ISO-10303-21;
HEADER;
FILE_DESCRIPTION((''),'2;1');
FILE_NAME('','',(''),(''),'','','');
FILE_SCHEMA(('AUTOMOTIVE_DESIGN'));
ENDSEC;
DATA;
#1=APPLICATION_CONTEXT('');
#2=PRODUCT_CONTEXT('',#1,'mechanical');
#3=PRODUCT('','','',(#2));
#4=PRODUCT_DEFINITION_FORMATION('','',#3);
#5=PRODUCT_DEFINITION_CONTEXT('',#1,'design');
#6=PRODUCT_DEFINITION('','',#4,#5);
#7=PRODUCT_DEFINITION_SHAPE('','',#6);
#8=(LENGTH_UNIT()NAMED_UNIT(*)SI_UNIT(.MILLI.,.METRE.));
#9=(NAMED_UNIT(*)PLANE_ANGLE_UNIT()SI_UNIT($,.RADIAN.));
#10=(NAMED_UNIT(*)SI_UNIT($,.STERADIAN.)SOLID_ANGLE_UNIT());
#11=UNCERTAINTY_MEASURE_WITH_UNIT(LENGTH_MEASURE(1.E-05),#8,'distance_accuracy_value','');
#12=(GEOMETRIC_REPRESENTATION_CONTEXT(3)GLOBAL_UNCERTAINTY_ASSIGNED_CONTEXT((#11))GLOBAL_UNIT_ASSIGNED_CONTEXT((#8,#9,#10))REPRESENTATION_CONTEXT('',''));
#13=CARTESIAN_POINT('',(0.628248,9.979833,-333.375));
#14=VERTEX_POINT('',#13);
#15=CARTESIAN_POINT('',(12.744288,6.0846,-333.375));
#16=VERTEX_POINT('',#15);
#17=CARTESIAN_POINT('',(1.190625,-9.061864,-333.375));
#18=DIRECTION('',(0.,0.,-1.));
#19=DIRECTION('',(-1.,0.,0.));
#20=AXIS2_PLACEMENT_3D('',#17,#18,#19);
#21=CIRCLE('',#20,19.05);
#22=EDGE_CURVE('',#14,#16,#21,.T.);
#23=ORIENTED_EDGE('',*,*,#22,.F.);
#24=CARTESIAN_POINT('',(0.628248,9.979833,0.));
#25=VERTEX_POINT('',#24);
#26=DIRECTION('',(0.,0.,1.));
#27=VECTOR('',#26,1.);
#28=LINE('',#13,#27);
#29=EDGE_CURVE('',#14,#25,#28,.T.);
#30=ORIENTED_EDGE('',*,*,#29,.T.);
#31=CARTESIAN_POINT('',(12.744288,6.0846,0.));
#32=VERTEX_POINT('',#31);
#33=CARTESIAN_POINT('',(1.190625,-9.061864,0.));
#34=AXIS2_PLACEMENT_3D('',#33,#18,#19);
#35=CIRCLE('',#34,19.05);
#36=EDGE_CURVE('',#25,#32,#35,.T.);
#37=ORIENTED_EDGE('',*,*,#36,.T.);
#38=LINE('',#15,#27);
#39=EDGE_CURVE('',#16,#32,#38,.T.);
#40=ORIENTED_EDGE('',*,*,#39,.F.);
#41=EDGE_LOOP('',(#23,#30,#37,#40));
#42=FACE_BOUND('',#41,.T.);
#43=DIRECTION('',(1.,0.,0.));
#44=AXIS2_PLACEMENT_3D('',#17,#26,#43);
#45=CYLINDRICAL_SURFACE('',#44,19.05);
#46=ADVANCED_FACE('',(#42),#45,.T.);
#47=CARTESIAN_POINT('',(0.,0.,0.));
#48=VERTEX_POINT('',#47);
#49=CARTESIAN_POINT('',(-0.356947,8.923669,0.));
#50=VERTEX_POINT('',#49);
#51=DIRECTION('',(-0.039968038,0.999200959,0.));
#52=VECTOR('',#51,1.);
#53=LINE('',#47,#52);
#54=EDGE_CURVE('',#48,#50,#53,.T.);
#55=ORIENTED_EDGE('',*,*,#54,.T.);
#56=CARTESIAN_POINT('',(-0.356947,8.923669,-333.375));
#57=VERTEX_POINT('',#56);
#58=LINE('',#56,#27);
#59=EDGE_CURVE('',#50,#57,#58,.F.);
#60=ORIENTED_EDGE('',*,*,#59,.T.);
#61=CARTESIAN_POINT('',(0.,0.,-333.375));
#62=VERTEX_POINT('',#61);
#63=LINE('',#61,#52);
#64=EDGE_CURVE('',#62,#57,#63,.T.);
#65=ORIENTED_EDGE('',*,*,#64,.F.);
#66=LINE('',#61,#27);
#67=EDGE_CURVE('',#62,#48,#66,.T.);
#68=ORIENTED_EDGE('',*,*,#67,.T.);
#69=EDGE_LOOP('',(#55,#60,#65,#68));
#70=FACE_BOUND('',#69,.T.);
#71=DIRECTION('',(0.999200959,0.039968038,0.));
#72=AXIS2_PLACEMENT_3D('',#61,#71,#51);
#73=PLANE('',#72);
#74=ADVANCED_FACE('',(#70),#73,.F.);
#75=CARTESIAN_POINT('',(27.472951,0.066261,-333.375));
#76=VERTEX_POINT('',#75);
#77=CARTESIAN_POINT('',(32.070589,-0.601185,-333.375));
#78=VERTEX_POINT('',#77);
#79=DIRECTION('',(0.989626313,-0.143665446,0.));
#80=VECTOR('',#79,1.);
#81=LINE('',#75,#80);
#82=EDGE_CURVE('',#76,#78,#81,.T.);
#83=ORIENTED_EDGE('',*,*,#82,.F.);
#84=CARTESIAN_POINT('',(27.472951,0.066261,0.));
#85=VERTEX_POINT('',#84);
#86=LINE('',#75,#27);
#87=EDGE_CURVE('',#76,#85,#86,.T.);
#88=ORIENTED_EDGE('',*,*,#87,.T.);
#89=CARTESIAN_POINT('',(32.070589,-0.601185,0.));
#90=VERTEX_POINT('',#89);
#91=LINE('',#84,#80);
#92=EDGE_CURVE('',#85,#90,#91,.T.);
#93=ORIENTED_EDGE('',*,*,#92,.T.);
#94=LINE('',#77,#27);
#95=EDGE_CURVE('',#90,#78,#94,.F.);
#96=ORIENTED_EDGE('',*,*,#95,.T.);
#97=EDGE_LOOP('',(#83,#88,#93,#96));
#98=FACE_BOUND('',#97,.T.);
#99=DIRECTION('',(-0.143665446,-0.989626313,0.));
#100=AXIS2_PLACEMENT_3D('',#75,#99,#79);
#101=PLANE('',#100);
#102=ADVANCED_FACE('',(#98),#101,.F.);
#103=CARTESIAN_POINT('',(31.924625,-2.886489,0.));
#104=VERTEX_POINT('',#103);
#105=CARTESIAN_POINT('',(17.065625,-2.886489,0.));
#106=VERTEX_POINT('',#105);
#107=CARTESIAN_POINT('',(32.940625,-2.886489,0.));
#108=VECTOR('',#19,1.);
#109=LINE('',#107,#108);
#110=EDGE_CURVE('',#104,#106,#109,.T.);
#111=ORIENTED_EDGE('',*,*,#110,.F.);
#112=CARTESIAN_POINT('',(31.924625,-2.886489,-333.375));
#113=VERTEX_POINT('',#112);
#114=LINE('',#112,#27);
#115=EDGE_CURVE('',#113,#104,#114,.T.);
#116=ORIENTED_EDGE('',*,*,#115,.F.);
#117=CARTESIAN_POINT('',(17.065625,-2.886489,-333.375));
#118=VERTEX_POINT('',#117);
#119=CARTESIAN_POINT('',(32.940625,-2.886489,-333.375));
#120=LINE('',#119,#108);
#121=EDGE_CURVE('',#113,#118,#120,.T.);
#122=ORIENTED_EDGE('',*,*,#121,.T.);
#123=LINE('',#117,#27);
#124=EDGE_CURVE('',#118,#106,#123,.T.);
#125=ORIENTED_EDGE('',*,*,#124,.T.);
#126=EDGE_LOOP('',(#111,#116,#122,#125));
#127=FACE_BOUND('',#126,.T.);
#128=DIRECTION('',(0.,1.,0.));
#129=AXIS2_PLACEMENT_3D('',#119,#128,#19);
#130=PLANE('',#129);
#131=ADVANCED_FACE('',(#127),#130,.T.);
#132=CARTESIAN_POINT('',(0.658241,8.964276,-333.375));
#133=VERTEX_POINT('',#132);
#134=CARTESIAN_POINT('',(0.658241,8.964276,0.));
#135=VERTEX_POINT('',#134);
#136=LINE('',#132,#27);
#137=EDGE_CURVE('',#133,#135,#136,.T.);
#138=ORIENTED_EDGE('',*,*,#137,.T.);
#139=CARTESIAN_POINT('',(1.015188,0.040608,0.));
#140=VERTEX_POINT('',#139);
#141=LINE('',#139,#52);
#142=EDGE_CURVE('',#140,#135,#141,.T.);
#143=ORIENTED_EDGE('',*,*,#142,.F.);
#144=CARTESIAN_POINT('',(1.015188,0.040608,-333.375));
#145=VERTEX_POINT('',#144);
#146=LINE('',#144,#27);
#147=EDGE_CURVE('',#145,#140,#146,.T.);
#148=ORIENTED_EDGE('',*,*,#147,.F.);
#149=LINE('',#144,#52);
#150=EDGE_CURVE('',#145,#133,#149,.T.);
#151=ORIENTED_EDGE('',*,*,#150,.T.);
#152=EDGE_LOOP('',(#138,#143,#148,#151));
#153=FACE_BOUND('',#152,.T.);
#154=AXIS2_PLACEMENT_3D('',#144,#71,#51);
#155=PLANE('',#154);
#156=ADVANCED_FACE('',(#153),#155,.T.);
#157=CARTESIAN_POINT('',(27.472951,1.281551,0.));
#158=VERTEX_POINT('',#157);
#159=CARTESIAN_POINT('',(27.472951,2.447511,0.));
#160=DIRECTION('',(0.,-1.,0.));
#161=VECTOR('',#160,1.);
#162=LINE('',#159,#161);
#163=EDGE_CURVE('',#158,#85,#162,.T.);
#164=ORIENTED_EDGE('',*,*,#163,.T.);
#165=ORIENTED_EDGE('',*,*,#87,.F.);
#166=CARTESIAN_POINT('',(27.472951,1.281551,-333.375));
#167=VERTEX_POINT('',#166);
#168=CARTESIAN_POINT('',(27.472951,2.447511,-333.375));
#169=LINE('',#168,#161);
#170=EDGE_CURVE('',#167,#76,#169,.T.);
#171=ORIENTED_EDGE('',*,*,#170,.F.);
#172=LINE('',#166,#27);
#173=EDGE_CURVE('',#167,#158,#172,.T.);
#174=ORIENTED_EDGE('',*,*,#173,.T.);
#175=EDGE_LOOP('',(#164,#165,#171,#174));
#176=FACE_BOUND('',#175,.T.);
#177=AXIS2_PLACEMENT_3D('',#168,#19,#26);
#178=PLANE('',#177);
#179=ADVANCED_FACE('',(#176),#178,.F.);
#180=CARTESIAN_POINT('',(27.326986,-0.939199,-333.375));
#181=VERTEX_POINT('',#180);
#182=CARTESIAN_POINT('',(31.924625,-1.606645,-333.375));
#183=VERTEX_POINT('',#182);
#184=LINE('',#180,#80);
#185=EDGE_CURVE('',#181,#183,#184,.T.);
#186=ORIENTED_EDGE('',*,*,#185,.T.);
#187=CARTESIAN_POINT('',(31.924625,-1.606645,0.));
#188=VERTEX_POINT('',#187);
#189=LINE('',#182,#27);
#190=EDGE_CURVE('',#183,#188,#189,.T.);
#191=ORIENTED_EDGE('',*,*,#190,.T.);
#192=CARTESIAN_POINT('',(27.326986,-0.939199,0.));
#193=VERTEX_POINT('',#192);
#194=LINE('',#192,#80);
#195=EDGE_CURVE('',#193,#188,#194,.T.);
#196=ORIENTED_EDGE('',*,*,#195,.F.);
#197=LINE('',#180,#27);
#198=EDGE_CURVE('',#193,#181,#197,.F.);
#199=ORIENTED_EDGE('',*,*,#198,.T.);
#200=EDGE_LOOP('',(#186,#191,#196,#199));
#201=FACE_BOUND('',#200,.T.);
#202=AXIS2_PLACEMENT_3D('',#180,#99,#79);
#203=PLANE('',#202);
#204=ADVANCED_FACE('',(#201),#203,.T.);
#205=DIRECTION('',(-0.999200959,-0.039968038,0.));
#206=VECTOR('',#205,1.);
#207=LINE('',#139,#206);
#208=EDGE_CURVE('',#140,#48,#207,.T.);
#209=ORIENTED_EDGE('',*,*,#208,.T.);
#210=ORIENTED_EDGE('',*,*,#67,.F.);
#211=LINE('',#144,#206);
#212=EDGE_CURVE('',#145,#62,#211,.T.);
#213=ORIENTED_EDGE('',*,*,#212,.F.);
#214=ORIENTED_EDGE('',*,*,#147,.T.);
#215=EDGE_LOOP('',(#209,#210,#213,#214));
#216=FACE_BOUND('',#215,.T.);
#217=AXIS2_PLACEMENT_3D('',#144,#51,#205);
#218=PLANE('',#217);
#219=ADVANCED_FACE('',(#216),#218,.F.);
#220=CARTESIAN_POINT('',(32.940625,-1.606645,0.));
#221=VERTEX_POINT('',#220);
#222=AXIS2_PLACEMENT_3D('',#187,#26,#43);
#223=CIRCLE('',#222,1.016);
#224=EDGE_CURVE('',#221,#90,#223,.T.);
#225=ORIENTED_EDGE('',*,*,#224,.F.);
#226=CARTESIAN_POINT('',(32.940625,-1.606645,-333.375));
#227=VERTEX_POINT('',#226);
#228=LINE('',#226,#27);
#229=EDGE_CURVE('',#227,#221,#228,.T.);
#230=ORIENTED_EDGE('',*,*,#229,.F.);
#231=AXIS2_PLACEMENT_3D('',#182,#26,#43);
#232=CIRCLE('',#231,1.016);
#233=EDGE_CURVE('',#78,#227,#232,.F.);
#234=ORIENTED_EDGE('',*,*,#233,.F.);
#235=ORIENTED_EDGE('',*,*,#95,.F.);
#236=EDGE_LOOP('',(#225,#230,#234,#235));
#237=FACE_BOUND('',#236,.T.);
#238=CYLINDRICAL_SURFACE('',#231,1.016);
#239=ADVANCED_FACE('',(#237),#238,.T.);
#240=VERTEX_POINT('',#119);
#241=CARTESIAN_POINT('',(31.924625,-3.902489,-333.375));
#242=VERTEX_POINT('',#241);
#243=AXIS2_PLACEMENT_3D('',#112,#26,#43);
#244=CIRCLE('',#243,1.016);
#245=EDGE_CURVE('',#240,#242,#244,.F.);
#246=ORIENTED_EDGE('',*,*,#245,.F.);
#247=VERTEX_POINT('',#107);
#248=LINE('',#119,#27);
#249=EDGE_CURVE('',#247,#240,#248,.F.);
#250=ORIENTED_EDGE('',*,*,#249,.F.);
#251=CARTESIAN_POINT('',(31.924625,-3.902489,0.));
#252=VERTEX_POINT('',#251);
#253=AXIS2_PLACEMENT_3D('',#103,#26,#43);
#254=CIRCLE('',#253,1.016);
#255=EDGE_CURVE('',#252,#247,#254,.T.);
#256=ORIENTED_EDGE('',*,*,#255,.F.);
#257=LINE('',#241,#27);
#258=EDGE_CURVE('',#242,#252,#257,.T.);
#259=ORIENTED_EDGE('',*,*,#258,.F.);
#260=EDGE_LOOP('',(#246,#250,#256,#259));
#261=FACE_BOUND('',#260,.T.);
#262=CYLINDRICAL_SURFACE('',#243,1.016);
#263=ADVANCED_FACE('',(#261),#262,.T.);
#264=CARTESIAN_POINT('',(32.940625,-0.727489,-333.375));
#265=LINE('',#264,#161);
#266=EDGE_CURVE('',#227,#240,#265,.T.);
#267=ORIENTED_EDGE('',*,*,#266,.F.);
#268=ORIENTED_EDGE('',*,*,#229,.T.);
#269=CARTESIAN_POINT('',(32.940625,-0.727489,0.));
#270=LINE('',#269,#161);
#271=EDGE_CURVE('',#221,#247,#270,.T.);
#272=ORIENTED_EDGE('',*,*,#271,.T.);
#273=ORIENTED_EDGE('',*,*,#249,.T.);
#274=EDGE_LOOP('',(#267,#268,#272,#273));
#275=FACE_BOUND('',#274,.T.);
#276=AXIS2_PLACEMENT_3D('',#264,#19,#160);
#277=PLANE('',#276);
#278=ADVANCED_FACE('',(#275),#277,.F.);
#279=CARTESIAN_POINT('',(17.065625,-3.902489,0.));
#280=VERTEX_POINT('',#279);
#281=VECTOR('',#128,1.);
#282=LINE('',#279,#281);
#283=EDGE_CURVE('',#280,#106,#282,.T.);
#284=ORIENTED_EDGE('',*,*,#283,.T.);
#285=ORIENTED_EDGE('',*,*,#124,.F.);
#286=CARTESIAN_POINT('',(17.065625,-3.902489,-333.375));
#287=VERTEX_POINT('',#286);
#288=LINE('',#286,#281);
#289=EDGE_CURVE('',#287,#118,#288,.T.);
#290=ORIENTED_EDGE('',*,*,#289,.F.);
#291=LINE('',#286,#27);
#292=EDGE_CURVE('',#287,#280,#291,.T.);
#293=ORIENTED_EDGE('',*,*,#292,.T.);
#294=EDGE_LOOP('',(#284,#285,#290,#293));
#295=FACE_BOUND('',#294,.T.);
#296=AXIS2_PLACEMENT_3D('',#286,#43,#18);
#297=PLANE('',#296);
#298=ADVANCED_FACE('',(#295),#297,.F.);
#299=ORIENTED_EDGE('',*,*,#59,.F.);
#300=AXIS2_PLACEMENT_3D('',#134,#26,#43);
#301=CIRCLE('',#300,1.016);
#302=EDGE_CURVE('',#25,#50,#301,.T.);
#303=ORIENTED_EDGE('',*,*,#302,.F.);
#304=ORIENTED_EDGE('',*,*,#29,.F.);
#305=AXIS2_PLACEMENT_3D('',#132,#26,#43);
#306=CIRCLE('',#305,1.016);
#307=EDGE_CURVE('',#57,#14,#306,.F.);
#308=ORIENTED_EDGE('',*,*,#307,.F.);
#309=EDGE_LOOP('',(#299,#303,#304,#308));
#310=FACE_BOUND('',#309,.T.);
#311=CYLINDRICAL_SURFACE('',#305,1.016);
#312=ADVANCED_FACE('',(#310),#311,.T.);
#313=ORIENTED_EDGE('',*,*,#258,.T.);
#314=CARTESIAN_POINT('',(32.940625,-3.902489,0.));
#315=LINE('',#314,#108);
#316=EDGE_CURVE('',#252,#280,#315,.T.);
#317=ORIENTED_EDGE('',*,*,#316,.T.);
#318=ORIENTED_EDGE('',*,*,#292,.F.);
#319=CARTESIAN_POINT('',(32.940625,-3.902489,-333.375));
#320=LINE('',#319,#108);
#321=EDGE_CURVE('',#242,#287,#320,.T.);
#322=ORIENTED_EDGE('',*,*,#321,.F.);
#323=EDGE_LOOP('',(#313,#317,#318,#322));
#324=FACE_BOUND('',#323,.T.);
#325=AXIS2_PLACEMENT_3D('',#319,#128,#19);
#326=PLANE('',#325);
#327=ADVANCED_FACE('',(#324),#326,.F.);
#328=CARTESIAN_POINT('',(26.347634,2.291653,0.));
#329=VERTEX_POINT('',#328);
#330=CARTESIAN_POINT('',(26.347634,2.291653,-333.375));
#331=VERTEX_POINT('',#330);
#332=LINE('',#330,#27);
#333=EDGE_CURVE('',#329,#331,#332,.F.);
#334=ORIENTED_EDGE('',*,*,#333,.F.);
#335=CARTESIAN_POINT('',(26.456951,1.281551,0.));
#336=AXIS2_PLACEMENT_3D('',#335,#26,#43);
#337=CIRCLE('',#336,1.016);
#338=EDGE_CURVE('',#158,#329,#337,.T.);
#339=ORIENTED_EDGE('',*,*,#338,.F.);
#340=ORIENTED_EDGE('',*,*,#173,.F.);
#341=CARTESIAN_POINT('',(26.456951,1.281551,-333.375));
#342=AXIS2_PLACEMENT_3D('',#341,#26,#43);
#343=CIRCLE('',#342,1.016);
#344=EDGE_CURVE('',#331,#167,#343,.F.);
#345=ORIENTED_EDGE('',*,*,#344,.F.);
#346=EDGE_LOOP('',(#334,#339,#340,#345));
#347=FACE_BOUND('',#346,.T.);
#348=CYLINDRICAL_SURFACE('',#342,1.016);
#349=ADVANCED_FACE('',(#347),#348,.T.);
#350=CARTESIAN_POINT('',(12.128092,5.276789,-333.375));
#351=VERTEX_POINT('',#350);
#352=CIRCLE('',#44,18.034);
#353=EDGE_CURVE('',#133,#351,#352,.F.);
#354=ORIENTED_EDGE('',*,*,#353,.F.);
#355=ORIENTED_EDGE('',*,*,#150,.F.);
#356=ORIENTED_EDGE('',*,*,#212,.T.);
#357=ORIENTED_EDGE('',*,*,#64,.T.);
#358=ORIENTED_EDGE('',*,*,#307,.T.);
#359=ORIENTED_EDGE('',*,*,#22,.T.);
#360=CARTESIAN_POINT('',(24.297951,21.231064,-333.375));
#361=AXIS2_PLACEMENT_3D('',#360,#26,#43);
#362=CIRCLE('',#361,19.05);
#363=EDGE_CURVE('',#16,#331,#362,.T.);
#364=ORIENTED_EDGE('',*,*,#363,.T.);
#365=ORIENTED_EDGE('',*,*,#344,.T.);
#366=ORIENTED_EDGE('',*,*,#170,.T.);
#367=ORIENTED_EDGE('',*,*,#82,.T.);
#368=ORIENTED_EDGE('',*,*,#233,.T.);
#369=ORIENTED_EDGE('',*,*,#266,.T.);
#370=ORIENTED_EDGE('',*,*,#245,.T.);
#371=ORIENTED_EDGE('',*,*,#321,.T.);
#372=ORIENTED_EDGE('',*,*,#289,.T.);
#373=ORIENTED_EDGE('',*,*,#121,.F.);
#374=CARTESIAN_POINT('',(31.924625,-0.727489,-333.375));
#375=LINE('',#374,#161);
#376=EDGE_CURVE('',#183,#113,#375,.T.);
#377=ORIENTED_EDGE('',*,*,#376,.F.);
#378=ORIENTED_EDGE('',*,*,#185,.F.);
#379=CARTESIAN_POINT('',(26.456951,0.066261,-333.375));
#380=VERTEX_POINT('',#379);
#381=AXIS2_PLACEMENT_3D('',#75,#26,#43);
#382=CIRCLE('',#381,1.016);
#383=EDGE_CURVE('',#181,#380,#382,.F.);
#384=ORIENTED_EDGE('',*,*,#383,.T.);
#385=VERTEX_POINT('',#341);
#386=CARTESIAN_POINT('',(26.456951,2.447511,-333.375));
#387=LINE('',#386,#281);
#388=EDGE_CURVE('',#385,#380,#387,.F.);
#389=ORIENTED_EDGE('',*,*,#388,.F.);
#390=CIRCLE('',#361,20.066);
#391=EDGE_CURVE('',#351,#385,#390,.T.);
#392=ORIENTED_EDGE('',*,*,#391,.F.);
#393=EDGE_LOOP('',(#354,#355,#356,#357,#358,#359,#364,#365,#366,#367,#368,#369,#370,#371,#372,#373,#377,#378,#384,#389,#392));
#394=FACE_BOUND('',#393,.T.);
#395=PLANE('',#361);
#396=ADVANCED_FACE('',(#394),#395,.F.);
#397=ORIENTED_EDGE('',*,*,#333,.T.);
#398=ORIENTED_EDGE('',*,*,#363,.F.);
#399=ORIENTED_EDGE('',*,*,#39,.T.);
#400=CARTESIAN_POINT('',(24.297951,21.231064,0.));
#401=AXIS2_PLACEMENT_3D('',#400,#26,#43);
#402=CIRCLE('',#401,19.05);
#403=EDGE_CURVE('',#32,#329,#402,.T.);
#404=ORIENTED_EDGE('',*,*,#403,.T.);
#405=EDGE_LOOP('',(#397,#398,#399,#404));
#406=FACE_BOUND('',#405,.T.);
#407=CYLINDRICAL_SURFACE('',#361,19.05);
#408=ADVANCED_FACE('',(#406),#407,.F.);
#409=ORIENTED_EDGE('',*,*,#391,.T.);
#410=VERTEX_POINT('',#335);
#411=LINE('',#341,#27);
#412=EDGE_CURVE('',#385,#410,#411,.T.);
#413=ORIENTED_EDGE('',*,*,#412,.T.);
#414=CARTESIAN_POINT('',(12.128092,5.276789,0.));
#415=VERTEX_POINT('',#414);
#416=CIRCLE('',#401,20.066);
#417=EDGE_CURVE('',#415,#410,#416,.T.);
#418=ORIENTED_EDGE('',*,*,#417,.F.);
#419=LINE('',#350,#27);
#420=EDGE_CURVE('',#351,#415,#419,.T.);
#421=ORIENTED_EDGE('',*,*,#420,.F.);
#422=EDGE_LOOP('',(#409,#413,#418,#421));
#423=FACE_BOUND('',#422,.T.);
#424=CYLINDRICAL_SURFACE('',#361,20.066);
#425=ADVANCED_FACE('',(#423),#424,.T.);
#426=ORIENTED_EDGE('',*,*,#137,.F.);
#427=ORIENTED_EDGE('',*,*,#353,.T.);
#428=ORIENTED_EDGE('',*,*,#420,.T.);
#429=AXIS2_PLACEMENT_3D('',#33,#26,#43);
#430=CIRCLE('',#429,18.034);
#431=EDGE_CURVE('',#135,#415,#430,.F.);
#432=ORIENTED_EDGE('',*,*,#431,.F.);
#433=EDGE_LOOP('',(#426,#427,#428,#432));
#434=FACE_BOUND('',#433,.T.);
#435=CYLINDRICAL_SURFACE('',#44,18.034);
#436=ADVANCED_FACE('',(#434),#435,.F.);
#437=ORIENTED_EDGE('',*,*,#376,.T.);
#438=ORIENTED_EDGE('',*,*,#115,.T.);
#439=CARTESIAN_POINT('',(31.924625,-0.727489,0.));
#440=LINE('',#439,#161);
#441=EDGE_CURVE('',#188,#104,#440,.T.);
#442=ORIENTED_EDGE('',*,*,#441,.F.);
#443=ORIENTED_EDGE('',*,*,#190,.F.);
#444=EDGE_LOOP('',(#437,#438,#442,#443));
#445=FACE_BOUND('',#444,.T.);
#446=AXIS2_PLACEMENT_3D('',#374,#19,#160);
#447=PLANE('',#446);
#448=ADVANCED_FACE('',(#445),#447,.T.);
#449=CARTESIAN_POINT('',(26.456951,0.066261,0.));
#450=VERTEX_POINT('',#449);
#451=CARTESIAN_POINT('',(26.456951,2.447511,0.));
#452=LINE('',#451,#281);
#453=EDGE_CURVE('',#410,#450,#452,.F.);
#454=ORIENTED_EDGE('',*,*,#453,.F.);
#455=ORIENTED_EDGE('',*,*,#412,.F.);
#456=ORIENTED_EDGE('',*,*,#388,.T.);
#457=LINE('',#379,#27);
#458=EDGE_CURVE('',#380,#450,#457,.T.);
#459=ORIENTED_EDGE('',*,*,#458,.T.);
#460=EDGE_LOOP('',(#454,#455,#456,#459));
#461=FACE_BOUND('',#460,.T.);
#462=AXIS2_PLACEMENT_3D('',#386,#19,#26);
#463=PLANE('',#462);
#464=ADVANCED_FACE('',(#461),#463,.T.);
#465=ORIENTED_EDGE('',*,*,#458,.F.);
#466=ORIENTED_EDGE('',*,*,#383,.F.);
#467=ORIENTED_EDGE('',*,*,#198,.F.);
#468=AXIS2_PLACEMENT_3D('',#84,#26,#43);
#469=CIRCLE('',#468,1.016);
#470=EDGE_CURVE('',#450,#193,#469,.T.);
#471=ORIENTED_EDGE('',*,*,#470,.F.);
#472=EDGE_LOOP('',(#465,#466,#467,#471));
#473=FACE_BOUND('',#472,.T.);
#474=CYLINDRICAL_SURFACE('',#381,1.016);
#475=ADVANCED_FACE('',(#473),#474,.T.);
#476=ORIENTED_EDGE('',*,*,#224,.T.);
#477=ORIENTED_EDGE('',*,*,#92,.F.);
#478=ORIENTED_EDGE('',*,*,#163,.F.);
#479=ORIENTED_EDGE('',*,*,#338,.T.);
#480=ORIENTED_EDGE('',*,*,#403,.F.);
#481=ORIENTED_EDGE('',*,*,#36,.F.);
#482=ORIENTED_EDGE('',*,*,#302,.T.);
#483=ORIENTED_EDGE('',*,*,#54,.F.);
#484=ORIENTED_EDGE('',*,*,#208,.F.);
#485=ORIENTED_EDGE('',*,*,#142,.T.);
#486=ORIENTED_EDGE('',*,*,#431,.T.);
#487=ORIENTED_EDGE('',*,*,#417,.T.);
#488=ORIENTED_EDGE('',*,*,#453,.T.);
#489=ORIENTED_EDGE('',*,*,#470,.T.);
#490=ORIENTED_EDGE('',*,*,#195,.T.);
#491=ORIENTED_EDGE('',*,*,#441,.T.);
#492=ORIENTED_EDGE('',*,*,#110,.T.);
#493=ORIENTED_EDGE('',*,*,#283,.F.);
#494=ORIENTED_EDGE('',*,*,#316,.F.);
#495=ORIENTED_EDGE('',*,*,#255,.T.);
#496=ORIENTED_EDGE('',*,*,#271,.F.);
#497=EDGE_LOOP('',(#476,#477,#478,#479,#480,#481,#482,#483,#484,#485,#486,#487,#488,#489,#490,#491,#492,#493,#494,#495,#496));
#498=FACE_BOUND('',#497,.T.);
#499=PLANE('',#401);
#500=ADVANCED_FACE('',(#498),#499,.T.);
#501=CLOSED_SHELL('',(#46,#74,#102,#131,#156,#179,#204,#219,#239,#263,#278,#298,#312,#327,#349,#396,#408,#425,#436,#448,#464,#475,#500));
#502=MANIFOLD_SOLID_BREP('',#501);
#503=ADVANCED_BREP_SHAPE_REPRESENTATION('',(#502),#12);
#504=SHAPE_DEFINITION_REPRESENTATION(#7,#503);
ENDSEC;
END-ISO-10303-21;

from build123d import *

# Parameters (mm, degrees)
EXTRUDE_THIN1_DEPTH = 333.375
FILLET1_R           = 1.016


with BuildPart() as part:
    # Sketch1 → Extrude-Thin1 (new body)
    with BuildSketch(Plane.XY):
        with BuildLine():
            Line((0, 0), (-0.396875, 9.921875))
            ThreePointArc((-0.396875, 9.921875), (6.530313151, 9.224476066), (12.744287778, 6.084600226))
            ThreePointArc((12.744287778, 6.084600226), (19.730938199, 2.736608506), (27.472950555, 2.44751107))
            Line((27.472950555, 2.44751107), (27.472950555, 0.06626107))
            Line((27.472950555, 0.06626107), (32.940625, -0.72748893))
            Line((32.940625, -0.72748893), (32.940625, -3.90248893))
            Line((32.940625, -3.90248893), (17.065625, -3.90248893))
            Line((17.065625, -3.90248893), (17.065625, -2.88648893))
            Line((17.065625, -2.88648893), (31.924625, -2.88648893))
            Line((31.924625, -2.88648893), (31.924625, -1.606644926))
            Line((31.924625, -1.606644926), (26.456950555, -0.812894926))
            Line((26.456950555, -0.812894926), (26.456950555, 1.28155123))
            ThreePointArc((26.456950555, 1.28155123), (18.908627692, 1.902340806), (12.12809243, 5.276788804))
            ThreePointArc((12.12809243, 5.276788804), (6.71021132, 8.106692295), (0.658241432, 8.964276082))
            Line((0.658241432, 8.964276082), (1.015188174, 0.040607527))
            Line((1.015188174, 0.040607527), (0, 0))
        make_face()
    extrude(amount=-EXTRUDE_THIN1_DEPTH)

    # Fillet1
    fillet1_edges = [part.edges().sort_by_distance(p)[0] for p in [
        (26.456950555, -0.812894926, -166.6875),
        (-0.396875, 9.921875, -166.6875),
        (27.472950555, 2.44751107, -166.6875),
        (32.940625, -0.72748893, -166.6875),
        (32.940625, -3.90248893, -166.6875),
    ]]
    fillet(fillet1_edges, radius=FILLET1_R)


solid = part.part
